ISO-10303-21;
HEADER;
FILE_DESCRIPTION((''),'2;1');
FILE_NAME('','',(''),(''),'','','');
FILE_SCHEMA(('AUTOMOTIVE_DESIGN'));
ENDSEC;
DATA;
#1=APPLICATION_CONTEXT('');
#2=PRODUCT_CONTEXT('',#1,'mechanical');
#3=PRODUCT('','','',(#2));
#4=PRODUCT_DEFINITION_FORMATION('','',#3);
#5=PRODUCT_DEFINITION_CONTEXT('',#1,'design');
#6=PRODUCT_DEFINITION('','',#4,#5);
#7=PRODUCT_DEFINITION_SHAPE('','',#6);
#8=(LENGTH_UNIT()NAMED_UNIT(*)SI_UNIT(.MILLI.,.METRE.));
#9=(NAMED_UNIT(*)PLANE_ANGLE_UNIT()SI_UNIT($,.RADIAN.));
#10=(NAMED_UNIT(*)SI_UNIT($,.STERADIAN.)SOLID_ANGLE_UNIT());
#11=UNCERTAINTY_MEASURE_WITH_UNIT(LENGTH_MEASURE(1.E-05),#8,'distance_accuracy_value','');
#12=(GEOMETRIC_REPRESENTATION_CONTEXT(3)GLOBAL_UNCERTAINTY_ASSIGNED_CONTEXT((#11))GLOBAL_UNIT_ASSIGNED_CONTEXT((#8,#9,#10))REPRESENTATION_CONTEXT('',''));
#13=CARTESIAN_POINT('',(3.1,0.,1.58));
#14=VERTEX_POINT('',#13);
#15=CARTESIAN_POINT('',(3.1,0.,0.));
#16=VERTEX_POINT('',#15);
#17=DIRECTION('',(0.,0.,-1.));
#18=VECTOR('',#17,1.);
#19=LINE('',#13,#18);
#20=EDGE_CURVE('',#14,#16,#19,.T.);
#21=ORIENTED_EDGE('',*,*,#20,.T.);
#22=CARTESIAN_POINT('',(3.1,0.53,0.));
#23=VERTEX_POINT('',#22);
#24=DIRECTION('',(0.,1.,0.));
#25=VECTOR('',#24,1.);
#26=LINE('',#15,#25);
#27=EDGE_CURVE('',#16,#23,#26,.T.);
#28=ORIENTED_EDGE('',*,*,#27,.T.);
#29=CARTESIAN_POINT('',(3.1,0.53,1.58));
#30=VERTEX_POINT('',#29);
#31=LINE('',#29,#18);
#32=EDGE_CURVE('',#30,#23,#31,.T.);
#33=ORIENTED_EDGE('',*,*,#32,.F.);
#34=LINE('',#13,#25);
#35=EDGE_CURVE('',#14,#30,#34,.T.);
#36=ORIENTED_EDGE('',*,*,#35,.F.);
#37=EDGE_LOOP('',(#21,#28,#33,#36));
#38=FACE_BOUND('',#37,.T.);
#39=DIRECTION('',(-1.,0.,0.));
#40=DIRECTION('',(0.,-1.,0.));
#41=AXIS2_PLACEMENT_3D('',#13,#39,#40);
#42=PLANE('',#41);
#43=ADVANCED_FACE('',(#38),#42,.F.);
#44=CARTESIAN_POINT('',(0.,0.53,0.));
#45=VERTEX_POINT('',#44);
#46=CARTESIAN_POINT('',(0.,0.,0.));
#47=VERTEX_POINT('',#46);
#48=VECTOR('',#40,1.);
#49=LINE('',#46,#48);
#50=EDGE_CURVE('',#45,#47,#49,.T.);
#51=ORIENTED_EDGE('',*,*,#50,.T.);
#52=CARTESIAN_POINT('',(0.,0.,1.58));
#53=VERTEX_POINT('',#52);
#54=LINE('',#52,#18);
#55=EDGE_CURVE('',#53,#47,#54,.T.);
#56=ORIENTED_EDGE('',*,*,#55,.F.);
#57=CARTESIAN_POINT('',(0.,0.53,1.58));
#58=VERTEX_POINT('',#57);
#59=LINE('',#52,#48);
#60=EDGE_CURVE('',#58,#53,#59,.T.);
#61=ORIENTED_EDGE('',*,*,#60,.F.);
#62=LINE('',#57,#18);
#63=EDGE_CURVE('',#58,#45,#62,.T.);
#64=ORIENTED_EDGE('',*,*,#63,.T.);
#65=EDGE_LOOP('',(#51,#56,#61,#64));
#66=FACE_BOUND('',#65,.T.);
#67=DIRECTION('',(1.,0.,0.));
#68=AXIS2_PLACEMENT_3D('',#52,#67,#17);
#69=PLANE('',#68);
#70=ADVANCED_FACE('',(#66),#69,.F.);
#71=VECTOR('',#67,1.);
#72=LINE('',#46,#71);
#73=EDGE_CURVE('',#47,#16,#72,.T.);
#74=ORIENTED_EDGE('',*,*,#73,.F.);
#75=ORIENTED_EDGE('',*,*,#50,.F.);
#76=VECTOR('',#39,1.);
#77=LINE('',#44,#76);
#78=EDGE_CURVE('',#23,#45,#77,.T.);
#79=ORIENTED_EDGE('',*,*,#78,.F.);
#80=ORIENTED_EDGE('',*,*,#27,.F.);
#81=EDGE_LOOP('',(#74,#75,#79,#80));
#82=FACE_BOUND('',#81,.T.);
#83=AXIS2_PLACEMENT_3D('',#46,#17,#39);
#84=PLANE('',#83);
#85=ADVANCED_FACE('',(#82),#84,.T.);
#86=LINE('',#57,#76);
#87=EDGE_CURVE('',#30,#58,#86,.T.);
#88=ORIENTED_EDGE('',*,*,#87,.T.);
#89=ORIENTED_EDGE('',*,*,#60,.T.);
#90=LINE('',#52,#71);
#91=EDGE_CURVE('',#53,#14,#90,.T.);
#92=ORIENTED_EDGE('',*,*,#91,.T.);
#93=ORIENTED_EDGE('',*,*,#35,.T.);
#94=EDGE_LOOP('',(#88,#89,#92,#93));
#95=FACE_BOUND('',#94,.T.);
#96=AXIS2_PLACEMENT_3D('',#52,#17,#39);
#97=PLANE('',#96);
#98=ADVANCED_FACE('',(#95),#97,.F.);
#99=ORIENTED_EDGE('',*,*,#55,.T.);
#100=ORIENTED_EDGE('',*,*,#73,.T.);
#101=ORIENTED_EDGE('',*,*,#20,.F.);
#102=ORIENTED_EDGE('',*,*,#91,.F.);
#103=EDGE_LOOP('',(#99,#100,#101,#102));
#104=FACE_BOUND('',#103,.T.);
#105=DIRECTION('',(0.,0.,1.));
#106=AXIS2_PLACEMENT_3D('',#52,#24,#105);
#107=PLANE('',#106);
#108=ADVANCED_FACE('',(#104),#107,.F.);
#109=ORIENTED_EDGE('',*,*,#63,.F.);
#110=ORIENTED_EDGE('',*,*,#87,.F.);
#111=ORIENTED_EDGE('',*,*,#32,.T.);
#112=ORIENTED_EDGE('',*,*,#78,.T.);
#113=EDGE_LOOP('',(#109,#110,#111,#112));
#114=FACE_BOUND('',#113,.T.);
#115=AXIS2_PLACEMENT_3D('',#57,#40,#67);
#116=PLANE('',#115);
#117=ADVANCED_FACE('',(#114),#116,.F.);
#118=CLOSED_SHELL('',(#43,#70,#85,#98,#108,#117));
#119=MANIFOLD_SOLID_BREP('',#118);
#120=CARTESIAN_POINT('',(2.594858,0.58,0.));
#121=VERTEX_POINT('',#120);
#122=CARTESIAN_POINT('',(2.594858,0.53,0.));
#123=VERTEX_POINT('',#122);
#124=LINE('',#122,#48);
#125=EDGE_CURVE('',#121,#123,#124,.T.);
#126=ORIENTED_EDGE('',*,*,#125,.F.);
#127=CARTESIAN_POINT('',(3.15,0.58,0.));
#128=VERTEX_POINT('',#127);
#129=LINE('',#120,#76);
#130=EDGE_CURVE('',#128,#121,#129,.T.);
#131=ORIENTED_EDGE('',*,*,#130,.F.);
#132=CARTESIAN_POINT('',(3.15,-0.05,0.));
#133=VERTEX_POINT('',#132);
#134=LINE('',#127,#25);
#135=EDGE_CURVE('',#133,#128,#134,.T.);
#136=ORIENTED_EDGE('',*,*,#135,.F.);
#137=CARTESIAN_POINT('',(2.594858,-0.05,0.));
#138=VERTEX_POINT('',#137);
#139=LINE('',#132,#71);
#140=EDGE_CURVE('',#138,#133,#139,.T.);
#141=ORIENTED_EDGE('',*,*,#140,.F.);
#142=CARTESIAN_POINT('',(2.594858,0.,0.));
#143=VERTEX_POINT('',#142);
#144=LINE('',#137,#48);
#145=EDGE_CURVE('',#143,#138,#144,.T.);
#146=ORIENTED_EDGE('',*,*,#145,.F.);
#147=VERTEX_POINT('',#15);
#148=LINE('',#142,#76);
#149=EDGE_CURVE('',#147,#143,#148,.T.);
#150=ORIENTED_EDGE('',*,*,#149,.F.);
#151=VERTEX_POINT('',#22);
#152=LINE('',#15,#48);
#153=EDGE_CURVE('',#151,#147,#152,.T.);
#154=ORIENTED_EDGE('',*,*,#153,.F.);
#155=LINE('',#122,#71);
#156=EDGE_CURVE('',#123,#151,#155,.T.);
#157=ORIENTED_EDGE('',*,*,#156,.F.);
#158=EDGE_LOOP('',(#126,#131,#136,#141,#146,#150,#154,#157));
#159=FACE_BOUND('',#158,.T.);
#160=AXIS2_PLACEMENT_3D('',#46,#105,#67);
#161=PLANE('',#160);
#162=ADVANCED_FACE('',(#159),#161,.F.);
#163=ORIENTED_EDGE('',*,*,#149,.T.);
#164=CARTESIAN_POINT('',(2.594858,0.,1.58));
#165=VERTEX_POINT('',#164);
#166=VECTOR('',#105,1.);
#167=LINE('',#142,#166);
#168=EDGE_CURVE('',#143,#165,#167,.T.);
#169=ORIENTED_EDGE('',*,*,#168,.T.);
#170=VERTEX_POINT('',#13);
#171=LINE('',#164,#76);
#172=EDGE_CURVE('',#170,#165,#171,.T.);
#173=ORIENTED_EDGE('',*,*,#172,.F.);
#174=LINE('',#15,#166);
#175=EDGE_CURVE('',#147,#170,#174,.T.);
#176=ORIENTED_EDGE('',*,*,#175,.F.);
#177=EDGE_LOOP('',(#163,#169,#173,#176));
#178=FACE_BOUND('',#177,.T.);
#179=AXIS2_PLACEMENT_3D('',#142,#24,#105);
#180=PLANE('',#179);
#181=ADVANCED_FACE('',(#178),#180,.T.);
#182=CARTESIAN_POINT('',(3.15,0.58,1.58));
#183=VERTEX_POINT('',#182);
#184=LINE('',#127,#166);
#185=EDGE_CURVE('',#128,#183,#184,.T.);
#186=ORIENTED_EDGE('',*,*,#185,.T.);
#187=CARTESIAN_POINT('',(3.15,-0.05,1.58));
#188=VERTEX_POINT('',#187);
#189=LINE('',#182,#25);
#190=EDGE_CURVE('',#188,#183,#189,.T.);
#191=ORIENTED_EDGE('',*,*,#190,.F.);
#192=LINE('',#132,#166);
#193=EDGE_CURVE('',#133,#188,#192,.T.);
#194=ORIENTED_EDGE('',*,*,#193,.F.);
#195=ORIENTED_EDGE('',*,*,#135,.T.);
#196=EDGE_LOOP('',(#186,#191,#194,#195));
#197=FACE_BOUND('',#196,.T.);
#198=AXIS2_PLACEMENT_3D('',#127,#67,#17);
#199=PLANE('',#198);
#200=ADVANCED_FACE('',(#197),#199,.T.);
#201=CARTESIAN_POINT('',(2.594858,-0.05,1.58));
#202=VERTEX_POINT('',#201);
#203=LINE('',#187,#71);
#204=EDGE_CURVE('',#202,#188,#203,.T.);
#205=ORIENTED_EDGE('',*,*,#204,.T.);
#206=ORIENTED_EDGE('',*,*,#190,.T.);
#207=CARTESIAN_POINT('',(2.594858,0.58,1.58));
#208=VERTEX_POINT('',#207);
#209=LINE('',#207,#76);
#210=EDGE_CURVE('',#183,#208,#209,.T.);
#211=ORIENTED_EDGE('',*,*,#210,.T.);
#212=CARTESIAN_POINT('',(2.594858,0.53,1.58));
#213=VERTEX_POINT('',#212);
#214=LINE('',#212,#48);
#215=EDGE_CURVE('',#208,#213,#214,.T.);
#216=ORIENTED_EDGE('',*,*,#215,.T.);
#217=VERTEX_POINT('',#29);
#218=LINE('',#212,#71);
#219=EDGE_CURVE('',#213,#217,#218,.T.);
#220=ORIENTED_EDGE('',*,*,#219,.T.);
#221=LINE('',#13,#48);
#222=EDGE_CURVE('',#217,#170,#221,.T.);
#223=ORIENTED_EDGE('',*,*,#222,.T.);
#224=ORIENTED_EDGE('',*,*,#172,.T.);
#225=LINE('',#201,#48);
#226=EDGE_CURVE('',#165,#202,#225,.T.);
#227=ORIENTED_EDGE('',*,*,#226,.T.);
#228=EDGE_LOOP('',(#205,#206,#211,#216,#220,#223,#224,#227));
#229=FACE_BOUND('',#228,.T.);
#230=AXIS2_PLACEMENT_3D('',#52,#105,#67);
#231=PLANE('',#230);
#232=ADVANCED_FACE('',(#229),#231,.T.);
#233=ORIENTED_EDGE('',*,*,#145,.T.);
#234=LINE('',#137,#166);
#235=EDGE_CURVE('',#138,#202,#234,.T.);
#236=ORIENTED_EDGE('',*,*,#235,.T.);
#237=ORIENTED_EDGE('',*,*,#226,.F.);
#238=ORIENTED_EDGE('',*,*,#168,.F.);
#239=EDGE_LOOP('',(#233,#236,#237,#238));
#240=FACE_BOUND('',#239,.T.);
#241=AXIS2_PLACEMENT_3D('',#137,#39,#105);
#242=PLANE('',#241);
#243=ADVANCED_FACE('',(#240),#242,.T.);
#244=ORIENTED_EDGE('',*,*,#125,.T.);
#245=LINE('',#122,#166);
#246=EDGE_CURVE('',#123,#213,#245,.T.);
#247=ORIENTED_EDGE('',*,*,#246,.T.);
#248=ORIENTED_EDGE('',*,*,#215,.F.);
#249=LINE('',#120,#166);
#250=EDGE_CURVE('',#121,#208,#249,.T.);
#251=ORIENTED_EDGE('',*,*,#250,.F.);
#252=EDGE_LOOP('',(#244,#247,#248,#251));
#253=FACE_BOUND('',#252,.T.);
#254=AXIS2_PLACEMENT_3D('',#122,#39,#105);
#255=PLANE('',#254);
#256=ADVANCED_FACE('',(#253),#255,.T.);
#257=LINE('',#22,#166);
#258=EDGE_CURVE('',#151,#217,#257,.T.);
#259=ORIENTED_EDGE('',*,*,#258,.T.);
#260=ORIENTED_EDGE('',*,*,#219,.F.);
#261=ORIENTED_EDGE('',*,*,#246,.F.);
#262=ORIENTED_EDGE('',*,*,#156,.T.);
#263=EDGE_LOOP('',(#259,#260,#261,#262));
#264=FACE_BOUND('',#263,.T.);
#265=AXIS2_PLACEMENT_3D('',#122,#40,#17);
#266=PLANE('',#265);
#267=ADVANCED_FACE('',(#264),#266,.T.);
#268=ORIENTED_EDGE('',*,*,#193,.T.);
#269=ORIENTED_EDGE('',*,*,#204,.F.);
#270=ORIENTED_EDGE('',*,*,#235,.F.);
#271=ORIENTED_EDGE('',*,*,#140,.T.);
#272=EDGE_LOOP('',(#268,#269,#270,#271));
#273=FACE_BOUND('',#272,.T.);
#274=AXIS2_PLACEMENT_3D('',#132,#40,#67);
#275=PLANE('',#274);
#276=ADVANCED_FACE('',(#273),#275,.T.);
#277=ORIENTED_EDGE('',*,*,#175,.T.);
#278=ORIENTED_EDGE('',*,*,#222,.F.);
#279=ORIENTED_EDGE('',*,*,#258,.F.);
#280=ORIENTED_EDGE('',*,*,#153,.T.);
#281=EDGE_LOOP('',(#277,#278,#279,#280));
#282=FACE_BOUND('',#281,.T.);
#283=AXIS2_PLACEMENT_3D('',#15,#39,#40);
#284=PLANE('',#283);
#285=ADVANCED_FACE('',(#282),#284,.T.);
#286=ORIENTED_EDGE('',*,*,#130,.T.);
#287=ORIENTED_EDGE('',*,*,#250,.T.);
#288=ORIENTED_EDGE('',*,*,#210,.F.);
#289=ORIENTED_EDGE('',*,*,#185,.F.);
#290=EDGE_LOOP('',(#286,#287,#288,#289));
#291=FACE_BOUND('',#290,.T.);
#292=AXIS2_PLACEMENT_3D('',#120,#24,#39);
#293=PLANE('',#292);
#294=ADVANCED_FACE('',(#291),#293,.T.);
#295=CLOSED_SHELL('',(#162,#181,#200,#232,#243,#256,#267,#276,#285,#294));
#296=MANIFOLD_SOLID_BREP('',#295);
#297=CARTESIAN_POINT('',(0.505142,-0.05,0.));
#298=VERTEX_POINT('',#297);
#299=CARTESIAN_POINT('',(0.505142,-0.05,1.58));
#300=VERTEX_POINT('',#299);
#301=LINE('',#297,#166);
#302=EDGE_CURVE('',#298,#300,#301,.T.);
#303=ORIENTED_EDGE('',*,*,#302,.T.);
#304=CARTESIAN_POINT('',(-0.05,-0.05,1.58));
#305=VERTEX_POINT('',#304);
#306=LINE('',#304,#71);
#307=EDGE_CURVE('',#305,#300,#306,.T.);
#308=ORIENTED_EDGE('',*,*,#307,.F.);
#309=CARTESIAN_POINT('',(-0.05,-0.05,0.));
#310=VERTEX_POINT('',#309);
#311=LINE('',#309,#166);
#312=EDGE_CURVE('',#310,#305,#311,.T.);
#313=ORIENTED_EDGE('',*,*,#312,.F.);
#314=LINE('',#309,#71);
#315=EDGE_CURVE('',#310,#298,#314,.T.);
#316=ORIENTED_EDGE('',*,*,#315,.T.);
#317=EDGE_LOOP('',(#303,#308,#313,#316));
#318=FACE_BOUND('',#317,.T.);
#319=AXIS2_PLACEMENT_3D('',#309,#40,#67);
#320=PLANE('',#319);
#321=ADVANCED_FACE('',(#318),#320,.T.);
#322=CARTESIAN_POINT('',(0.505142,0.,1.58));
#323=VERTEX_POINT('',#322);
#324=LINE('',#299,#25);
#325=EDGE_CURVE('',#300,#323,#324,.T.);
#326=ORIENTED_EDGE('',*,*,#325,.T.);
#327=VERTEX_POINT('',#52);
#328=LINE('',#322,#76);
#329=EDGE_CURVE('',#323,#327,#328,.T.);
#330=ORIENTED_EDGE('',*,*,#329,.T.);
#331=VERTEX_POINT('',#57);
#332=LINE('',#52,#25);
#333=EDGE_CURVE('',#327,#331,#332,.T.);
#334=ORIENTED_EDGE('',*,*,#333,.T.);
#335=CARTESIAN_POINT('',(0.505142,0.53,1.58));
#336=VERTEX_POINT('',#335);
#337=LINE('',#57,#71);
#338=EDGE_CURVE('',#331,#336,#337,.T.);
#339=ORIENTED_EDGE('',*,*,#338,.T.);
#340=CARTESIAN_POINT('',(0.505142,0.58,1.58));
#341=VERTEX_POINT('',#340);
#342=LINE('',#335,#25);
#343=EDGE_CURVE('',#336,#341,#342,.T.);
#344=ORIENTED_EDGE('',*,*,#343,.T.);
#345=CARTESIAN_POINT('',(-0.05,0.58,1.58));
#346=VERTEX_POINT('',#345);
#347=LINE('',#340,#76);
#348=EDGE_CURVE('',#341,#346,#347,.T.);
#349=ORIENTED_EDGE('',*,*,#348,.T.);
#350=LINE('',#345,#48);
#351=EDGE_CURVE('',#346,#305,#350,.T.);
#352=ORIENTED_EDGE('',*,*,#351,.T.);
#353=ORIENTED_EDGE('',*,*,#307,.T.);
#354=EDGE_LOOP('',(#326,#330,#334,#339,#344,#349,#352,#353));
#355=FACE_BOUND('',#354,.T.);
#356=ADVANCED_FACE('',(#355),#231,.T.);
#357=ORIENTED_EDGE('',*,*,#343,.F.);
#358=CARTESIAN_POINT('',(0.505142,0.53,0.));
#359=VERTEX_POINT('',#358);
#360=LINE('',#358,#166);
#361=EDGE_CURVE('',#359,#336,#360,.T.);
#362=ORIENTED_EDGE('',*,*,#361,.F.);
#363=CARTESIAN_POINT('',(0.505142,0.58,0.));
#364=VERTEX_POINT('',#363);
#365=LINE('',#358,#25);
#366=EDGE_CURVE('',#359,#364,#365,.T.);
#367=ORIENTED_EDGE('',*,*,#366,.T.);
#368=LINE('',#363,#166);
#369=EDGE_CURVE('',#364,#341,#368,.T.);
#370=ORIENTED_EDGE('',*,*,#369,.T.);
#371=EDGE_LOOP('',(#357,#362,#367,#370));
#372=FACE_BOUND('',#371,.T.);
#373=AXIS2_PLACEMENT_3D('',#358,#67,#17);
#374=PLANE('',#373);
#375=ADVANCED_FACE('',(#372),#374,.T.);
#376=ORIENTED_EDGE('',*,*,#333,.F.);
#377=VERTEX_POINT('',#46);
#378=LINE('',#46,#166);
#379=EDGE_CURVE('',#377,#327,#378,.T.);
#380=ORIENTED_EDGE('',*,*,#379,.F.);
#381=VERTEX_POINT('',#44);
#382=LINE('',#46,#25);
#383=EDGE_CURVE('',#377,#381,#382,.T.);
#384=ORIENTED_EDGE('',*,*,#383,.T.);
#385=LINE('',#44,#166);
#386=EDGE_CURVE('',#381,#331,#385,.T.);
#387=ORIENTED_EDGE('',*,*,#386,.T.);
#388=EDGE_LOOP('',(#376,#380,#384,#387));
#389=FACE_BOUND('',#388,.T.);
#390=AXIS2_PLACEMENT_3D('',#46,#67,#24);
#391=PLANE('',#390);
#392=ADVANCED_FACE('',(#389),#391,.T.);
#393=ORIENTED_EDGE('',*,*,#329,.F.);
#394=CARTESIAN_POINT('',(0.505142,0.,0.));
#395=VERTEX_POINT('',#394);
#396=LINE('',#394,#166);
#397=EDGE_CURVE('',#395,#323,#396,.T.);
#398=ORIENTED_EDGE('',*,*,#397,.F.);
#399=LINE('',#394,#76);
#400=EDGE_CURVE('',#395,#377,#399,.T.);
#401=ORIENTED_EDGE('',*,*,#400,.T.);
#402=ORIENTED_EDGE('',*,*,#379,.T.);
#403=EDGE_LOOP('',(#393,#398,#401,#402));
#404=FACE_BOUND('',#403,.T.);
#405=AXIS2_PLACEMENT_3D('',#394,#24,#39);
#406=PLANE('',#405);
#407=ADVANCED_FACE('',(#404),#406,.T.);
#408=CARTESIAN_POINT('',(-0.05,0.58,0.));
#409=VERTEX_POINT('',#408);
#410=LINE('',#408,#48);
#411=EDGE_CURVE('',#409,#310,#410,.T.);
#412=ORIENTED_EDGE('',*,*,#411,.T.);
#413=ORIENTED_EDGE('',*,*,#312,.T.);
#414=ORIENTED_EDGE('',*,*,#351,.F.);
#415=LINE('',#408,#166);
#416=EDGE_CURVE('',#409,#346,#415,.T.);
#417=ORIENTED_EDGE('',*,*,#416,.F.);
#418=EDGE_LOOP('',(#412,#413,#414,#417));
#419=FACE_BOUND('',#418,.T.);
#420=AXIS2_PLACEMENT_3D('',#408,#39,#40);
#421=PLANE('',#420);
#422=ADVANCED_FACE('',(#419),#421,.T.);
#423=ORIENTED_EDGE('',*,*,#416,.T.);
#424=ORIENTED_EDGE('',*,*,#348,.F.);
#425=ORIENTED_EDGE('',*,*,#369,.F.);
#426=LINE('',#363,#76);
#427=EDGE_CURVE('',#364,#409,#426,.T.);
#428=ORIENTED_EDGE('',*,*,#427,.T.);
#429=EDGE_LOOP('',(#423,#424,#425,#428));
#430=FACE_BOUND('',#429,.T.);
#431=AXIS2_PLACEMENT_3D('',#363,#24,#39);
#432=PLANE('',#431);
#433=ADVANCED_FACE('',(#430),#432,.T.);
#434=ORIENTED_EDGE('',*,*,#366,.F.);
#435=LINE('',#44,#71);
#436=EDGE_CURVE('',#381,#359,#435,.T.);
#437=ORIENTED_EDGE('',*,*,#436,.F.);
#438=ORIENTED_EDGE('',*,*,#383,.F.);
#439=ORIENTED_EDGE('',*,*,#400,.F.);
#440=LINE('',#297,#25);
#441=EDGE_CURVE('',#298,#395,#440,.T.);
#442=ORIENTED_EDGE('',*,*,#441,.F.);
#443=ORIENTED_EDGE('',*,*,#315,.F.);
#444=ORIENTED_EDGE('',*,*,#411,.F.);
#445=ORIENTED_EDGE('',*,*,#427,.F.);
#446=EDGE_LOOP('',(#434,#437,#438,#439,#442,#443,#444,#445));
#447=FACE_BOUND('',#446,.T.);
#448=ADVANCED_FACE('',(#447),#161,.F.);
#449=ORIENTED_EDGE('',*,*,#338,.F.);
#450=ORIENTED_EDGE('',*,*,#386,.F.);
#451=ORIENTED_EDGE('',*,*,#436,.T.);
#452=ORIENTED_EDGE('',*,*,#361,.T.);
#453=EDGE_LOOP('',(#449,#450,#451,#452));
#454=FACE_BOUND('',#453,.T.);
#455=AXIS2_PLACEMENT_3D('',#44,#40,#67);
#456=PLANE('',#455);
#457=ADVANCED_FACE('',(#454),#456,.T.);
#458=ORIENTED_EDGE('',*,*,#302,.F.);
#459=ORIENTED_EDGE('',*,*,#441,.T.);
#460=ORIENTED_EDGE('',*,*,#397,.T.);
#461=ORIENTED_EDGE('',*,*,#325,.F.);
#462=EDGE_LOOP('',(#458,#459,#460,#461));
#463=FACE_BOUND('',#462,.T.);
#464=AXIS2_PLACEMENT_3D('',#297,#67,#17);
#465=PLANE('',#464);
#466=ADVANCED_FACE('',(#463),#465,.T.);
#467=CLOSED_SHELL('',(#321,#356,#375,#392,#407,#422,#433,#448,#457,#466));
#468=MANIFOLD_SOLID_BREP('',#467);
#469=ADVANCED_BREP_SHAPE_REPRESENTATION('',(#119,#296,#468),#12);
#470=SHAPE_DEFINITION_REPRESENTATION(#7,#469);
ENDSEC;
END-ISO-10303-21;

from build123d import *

# Parameters (mm, degrees)
SKETCH1_W             = 3.1
SKETCH1_H             = 0.53
BOSS_EXTRUDE1_DEPTH   = 1.58
BOSS_EXTRUDE2_DEPTH   = 1.58
BOSS_EXTRUDE2_2_DEPTH = 1.58


with BuildPart() as part:
    # Sketch1 → Boss-Extrude1 (new body)
    with BuildSketch(Plane.XY):
        with Locations((1.55, 0.265)):
            Rectangle(SKETCH1_W, SKETCH1_H)
    extrude(amount=BOSS_EXTRUDE1_DEPTH)


with BuildPart() as body_2:
    # Sketch2 → Boss-Extrude2 (new body)
    with BuildSketch(Plane.XY.offset(1.58)):
        Polygon((2.594858091, 0.53), (2.594858091, 0.58), (3.15, 0.58), (3.15, -0.05), (2.594858091, -0.05), (2.594858091, 0), (3.1, 0), (3.1, 0.53), align=None)
    extrude(amount=-BOSS_EXTRUDE2_DEPTH)


with BuildPart() as body_3:
    # Sketch2 → Boss-Extrude2 2 (new body)
    with BuildSketch(Plane.XY.offset(1.58)):
        Polygon((0, 0), (0, 0.53), (0.505141909, 0.53), (0.505141909, 0.58), (-0.05, 0.58), (-0.05, -0.05), (0.505141909, -0.05), (0.505141909, 0), align=None)
    extrude(amount=-BOSS_EXTRUDE2_2_DEPTH)


solid = Compound([part.part, body_2.part, body_3.part])
